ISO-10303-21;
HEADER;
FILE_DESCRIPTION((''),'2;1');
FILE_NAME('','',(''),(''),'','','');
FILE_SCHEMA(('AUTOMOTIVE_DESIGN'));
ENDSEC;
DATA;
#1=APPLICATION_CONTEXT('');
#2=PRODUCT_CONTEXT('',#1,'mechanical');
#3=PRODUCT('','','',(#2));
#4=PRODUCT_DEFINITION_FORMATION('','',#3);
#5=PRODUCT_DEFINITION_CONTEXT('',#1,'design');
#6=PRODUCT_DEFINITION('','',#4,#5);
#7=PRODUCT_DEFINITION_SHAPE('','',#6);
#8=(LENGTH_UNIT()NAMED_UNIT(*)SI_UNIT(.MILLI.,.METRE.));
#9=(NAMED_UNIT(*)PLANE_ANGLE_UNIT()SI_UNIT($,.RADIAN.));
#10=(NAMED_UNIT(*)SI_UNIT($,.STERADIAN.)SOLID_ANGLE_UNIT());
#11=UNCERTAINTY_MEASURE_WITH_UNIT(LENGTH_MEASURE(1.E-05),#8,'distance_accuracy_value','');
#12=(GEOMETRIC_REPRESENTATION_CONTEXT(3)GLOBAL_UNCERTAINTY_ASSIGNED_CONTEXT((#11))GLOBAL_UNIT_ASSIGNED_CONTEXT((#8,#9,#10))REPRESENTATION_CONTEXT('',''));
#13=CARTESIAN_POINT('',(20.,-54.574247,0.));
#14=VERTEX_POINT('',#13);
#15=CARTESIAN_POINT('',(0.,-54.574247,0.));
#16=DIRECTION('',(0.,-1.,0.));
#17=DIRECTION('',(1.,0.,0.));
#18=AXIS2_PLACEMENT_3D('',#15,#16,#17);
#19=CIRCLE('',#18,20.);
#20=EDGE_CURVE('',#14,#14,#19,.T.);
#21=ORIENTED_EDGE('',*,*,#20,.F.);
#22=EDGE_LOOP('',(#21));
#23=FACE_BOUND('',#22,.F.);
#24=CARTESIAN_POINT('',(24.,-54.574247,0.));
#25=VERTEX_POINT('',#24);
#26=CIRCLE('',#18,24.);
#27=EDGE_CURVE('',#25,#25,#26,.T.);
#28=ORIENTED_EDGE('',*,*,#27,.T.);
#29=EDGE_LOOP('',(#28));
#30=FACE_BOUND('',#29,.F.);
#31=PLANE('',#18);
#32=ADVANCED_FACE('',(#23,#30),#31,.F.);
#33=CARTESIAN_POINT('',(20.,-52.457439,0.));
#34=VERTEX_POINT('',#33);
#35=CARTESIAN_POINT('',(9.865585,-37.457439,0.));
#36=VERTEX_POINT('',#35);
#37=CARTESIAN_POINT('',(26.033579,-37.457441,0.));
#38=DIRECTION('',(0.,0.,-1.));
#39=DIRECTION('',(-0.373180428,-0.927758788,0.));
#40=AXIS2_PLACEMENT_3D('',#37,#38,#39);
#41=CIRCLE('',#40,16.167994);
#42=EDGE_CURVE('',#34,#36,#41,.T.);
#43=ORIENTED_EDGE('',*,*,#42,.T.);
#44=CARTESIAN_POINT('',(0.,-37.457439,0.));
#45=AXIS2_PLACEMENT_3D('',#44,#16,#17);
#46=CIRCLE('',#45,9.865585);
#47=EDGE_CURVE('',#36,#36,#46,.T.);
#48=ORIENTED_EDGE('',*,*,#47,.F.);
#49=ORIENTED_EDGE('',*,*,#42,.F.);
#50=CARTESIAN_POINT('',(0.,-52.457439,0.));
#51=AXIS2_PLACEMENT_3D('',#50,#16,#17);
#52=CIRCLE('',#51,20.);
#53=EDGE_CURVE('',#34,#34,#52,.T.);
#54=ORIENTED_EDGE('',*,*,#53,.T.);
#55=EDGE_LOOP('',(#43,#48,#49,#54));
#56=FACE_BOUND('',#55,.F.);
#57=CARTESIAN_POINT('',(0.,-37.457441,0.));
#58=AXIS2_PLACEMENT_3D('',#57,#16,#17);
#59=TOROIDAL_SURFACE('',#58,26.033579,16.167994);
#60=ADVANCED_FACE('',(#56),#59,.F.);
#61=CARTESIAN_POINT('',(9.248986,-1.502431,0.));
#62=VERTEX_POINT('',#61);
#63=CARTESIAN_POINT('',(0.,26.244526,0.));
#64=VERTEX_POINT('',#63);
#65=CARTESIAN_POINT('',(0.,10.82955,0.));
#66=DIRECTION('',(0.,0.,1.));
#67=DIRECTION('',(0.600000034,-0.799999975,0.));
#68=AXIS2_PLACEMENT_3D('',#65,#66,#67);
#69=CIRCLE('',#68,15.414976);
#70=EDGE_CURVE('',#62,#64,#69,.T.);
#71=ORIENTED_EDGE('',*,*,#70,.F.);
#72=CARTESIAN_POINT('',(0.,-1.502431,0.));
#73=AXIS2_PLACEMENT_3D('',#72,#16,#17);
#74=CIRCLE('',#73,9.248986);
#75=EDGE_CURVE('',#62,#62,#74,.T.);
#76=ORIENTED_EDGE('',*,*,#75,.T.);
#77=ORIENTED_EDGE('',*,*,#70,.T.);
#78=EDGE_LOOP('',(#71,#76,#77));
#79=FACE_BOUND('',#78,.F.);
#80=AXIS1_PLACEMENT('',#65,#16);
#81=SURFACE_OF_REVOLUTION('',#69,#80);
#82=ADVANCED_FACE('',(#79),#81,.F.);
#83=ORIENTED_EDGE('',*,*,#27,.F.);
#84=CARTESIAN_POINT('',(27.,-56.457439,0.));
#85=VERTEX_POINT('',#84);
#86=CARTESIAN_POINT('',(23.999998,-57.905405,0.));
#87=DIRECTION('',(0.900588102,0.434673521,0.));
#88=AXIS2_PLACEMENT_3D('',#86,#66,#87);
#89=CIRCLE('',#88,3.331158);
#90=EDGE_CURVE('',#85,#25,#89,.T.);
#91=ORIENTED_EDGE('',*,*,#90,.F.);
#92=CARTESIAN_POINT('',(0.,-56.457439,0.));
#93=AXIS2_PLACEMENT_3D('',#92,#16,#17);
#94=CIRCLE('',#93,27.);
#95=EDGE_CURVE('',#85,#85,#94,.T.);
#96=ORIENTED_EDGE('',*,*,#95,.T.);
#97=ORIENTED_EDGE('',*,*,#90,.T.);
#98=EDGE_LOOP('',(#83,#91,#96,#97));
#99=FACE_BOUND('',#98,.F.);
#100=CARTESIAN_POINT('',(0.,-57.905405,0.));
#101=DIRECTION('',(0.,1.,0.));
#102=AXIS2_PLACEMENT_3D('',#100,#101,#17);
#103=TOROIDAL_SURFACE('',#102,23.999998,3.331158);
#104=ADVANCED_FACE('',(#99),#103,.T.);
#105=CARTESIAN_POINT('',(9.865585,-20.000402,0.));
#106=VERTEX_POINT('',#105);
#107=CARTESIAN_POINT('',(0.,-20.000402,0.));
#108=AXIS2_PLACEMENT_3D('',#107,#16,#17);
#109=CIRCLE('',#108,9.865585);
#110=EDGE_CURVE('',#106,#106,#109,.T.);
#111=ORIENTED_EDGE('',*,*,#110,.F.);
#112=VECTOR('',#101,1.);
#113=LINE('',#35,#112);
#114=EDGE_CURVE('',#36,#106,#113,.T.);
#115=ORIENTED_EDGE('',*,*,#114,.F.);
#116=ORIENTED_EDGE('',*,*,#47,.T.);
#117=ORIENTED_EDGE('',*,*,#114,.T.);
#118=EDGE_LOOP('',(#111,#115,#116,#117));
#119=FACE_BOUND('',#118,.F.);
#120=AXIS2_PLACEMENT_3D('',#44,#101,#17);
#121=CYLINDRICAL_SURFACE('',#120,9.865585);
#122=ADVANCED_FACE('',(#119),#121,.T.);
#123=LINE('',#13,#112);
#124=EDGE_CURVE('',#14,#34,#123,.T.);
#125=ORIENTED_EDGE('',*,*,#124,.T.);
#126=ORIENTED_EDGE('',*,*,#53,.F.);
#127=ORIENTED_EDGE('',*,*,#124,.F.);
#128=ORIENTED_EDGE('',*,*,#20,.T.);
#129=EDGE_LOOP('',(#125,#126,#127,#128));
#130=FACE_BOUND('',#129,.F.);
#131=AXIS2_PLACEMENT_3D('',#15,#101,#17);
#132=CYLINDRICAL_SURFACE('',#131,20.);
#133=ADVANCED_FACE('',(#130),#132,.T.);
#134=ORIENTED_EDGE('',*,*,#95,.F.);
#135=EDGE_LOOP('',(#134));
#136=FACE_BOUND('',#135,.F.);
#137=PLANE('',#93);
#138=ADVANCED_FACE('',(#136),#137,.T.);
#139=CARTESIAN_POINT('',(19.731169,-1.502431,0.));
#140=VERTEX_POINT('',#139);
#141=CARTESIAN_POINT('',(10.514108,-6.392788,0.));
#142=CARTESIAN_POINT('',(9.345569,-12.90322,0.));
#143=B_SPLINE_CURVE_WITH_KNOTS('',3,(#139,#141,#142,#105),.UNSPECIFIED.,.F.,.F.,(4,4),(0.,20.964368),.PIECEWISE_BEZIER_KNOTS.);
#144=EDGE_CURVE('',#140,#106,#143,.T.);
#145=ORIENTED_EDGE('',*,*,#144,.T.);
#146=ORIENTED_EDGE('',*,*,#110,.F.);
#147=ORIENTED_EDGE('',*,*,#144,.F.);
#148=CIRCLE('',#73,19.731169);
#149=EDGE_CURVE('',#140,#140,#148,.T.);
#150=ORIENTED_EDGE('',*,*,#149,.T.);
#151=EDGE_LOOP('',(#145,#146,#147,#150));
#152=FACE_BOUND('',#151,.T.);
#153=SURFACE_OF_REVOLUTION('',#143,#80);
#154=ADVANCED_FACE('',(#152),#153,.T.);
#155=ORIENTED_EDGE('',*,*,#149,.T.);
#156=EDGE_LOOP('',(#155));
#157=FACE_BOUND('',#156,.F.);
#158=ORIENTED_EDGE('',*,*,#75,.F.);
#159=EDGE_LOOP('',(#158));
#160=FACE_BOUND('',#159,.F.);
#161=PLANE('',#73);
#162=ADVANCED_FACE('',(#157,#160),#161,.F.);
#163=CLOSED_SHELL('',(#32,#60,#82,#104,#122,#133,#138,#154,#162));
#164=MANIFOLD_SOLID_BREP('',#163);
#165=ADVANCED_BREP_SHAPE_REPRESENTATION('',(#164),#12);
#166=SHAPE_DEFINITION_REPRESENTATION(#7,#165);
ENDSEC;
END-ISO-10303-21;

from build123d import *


with BuildPart() as f1:
    # F0 (on Top) → F1 (revolve)
    with BuildSketch(Plane.XY):
        with BuildLine():
            Line((19.731169, -1.502431), (9.248986, -1.502431))
            ThreePointArc((9.248986, -1.502431), (14.62393, 15.704194), (0, 26.244526))
            Line((0, 26.244526), (0, 10.82955))
            Line((0, 10.82955), (0, -1.502431))
            Line((0, -1.502431), (0, -4.585426))
            Line((0, -4.585426), (0, -20.000402))
            Line((0, -20.000402), (0, -37.457439))
            Line((0, -37.457439), (0, -52.457439))
            Line((0, -52.457439), (0, -56.457439))
            Line((0, -56.457439), (27, -56.457439))
            ThreePointArc((27, -56.457439), (25.771046, -55.084057), (24, -54.574247))
            Line((24, -54.574247), (20, -54.574247))
            Line((20, -54.574247), (20, -52.457439))
            ThreePointArc((20, -52.457439), (12.636659, -46.50877), (9.865585, -37.457439))
            Line((9.865585, -37.457439), (9.865585, -20.000402))
            add(Edge.make_bspline(
                [(19.731169, -1.502431), (10.514108, -6.392788), (9.345569, -12.90322), (9.865585, -20.000402)],
                knots=[0, 0, 0, 0, 20.964368, 20.964368, 20.964368, 20.964368], degree=3))
        make_face()
    revolve(axis=Axis((0, 10.82955, 0), (0, -1, 0)))


solid = f1.part
